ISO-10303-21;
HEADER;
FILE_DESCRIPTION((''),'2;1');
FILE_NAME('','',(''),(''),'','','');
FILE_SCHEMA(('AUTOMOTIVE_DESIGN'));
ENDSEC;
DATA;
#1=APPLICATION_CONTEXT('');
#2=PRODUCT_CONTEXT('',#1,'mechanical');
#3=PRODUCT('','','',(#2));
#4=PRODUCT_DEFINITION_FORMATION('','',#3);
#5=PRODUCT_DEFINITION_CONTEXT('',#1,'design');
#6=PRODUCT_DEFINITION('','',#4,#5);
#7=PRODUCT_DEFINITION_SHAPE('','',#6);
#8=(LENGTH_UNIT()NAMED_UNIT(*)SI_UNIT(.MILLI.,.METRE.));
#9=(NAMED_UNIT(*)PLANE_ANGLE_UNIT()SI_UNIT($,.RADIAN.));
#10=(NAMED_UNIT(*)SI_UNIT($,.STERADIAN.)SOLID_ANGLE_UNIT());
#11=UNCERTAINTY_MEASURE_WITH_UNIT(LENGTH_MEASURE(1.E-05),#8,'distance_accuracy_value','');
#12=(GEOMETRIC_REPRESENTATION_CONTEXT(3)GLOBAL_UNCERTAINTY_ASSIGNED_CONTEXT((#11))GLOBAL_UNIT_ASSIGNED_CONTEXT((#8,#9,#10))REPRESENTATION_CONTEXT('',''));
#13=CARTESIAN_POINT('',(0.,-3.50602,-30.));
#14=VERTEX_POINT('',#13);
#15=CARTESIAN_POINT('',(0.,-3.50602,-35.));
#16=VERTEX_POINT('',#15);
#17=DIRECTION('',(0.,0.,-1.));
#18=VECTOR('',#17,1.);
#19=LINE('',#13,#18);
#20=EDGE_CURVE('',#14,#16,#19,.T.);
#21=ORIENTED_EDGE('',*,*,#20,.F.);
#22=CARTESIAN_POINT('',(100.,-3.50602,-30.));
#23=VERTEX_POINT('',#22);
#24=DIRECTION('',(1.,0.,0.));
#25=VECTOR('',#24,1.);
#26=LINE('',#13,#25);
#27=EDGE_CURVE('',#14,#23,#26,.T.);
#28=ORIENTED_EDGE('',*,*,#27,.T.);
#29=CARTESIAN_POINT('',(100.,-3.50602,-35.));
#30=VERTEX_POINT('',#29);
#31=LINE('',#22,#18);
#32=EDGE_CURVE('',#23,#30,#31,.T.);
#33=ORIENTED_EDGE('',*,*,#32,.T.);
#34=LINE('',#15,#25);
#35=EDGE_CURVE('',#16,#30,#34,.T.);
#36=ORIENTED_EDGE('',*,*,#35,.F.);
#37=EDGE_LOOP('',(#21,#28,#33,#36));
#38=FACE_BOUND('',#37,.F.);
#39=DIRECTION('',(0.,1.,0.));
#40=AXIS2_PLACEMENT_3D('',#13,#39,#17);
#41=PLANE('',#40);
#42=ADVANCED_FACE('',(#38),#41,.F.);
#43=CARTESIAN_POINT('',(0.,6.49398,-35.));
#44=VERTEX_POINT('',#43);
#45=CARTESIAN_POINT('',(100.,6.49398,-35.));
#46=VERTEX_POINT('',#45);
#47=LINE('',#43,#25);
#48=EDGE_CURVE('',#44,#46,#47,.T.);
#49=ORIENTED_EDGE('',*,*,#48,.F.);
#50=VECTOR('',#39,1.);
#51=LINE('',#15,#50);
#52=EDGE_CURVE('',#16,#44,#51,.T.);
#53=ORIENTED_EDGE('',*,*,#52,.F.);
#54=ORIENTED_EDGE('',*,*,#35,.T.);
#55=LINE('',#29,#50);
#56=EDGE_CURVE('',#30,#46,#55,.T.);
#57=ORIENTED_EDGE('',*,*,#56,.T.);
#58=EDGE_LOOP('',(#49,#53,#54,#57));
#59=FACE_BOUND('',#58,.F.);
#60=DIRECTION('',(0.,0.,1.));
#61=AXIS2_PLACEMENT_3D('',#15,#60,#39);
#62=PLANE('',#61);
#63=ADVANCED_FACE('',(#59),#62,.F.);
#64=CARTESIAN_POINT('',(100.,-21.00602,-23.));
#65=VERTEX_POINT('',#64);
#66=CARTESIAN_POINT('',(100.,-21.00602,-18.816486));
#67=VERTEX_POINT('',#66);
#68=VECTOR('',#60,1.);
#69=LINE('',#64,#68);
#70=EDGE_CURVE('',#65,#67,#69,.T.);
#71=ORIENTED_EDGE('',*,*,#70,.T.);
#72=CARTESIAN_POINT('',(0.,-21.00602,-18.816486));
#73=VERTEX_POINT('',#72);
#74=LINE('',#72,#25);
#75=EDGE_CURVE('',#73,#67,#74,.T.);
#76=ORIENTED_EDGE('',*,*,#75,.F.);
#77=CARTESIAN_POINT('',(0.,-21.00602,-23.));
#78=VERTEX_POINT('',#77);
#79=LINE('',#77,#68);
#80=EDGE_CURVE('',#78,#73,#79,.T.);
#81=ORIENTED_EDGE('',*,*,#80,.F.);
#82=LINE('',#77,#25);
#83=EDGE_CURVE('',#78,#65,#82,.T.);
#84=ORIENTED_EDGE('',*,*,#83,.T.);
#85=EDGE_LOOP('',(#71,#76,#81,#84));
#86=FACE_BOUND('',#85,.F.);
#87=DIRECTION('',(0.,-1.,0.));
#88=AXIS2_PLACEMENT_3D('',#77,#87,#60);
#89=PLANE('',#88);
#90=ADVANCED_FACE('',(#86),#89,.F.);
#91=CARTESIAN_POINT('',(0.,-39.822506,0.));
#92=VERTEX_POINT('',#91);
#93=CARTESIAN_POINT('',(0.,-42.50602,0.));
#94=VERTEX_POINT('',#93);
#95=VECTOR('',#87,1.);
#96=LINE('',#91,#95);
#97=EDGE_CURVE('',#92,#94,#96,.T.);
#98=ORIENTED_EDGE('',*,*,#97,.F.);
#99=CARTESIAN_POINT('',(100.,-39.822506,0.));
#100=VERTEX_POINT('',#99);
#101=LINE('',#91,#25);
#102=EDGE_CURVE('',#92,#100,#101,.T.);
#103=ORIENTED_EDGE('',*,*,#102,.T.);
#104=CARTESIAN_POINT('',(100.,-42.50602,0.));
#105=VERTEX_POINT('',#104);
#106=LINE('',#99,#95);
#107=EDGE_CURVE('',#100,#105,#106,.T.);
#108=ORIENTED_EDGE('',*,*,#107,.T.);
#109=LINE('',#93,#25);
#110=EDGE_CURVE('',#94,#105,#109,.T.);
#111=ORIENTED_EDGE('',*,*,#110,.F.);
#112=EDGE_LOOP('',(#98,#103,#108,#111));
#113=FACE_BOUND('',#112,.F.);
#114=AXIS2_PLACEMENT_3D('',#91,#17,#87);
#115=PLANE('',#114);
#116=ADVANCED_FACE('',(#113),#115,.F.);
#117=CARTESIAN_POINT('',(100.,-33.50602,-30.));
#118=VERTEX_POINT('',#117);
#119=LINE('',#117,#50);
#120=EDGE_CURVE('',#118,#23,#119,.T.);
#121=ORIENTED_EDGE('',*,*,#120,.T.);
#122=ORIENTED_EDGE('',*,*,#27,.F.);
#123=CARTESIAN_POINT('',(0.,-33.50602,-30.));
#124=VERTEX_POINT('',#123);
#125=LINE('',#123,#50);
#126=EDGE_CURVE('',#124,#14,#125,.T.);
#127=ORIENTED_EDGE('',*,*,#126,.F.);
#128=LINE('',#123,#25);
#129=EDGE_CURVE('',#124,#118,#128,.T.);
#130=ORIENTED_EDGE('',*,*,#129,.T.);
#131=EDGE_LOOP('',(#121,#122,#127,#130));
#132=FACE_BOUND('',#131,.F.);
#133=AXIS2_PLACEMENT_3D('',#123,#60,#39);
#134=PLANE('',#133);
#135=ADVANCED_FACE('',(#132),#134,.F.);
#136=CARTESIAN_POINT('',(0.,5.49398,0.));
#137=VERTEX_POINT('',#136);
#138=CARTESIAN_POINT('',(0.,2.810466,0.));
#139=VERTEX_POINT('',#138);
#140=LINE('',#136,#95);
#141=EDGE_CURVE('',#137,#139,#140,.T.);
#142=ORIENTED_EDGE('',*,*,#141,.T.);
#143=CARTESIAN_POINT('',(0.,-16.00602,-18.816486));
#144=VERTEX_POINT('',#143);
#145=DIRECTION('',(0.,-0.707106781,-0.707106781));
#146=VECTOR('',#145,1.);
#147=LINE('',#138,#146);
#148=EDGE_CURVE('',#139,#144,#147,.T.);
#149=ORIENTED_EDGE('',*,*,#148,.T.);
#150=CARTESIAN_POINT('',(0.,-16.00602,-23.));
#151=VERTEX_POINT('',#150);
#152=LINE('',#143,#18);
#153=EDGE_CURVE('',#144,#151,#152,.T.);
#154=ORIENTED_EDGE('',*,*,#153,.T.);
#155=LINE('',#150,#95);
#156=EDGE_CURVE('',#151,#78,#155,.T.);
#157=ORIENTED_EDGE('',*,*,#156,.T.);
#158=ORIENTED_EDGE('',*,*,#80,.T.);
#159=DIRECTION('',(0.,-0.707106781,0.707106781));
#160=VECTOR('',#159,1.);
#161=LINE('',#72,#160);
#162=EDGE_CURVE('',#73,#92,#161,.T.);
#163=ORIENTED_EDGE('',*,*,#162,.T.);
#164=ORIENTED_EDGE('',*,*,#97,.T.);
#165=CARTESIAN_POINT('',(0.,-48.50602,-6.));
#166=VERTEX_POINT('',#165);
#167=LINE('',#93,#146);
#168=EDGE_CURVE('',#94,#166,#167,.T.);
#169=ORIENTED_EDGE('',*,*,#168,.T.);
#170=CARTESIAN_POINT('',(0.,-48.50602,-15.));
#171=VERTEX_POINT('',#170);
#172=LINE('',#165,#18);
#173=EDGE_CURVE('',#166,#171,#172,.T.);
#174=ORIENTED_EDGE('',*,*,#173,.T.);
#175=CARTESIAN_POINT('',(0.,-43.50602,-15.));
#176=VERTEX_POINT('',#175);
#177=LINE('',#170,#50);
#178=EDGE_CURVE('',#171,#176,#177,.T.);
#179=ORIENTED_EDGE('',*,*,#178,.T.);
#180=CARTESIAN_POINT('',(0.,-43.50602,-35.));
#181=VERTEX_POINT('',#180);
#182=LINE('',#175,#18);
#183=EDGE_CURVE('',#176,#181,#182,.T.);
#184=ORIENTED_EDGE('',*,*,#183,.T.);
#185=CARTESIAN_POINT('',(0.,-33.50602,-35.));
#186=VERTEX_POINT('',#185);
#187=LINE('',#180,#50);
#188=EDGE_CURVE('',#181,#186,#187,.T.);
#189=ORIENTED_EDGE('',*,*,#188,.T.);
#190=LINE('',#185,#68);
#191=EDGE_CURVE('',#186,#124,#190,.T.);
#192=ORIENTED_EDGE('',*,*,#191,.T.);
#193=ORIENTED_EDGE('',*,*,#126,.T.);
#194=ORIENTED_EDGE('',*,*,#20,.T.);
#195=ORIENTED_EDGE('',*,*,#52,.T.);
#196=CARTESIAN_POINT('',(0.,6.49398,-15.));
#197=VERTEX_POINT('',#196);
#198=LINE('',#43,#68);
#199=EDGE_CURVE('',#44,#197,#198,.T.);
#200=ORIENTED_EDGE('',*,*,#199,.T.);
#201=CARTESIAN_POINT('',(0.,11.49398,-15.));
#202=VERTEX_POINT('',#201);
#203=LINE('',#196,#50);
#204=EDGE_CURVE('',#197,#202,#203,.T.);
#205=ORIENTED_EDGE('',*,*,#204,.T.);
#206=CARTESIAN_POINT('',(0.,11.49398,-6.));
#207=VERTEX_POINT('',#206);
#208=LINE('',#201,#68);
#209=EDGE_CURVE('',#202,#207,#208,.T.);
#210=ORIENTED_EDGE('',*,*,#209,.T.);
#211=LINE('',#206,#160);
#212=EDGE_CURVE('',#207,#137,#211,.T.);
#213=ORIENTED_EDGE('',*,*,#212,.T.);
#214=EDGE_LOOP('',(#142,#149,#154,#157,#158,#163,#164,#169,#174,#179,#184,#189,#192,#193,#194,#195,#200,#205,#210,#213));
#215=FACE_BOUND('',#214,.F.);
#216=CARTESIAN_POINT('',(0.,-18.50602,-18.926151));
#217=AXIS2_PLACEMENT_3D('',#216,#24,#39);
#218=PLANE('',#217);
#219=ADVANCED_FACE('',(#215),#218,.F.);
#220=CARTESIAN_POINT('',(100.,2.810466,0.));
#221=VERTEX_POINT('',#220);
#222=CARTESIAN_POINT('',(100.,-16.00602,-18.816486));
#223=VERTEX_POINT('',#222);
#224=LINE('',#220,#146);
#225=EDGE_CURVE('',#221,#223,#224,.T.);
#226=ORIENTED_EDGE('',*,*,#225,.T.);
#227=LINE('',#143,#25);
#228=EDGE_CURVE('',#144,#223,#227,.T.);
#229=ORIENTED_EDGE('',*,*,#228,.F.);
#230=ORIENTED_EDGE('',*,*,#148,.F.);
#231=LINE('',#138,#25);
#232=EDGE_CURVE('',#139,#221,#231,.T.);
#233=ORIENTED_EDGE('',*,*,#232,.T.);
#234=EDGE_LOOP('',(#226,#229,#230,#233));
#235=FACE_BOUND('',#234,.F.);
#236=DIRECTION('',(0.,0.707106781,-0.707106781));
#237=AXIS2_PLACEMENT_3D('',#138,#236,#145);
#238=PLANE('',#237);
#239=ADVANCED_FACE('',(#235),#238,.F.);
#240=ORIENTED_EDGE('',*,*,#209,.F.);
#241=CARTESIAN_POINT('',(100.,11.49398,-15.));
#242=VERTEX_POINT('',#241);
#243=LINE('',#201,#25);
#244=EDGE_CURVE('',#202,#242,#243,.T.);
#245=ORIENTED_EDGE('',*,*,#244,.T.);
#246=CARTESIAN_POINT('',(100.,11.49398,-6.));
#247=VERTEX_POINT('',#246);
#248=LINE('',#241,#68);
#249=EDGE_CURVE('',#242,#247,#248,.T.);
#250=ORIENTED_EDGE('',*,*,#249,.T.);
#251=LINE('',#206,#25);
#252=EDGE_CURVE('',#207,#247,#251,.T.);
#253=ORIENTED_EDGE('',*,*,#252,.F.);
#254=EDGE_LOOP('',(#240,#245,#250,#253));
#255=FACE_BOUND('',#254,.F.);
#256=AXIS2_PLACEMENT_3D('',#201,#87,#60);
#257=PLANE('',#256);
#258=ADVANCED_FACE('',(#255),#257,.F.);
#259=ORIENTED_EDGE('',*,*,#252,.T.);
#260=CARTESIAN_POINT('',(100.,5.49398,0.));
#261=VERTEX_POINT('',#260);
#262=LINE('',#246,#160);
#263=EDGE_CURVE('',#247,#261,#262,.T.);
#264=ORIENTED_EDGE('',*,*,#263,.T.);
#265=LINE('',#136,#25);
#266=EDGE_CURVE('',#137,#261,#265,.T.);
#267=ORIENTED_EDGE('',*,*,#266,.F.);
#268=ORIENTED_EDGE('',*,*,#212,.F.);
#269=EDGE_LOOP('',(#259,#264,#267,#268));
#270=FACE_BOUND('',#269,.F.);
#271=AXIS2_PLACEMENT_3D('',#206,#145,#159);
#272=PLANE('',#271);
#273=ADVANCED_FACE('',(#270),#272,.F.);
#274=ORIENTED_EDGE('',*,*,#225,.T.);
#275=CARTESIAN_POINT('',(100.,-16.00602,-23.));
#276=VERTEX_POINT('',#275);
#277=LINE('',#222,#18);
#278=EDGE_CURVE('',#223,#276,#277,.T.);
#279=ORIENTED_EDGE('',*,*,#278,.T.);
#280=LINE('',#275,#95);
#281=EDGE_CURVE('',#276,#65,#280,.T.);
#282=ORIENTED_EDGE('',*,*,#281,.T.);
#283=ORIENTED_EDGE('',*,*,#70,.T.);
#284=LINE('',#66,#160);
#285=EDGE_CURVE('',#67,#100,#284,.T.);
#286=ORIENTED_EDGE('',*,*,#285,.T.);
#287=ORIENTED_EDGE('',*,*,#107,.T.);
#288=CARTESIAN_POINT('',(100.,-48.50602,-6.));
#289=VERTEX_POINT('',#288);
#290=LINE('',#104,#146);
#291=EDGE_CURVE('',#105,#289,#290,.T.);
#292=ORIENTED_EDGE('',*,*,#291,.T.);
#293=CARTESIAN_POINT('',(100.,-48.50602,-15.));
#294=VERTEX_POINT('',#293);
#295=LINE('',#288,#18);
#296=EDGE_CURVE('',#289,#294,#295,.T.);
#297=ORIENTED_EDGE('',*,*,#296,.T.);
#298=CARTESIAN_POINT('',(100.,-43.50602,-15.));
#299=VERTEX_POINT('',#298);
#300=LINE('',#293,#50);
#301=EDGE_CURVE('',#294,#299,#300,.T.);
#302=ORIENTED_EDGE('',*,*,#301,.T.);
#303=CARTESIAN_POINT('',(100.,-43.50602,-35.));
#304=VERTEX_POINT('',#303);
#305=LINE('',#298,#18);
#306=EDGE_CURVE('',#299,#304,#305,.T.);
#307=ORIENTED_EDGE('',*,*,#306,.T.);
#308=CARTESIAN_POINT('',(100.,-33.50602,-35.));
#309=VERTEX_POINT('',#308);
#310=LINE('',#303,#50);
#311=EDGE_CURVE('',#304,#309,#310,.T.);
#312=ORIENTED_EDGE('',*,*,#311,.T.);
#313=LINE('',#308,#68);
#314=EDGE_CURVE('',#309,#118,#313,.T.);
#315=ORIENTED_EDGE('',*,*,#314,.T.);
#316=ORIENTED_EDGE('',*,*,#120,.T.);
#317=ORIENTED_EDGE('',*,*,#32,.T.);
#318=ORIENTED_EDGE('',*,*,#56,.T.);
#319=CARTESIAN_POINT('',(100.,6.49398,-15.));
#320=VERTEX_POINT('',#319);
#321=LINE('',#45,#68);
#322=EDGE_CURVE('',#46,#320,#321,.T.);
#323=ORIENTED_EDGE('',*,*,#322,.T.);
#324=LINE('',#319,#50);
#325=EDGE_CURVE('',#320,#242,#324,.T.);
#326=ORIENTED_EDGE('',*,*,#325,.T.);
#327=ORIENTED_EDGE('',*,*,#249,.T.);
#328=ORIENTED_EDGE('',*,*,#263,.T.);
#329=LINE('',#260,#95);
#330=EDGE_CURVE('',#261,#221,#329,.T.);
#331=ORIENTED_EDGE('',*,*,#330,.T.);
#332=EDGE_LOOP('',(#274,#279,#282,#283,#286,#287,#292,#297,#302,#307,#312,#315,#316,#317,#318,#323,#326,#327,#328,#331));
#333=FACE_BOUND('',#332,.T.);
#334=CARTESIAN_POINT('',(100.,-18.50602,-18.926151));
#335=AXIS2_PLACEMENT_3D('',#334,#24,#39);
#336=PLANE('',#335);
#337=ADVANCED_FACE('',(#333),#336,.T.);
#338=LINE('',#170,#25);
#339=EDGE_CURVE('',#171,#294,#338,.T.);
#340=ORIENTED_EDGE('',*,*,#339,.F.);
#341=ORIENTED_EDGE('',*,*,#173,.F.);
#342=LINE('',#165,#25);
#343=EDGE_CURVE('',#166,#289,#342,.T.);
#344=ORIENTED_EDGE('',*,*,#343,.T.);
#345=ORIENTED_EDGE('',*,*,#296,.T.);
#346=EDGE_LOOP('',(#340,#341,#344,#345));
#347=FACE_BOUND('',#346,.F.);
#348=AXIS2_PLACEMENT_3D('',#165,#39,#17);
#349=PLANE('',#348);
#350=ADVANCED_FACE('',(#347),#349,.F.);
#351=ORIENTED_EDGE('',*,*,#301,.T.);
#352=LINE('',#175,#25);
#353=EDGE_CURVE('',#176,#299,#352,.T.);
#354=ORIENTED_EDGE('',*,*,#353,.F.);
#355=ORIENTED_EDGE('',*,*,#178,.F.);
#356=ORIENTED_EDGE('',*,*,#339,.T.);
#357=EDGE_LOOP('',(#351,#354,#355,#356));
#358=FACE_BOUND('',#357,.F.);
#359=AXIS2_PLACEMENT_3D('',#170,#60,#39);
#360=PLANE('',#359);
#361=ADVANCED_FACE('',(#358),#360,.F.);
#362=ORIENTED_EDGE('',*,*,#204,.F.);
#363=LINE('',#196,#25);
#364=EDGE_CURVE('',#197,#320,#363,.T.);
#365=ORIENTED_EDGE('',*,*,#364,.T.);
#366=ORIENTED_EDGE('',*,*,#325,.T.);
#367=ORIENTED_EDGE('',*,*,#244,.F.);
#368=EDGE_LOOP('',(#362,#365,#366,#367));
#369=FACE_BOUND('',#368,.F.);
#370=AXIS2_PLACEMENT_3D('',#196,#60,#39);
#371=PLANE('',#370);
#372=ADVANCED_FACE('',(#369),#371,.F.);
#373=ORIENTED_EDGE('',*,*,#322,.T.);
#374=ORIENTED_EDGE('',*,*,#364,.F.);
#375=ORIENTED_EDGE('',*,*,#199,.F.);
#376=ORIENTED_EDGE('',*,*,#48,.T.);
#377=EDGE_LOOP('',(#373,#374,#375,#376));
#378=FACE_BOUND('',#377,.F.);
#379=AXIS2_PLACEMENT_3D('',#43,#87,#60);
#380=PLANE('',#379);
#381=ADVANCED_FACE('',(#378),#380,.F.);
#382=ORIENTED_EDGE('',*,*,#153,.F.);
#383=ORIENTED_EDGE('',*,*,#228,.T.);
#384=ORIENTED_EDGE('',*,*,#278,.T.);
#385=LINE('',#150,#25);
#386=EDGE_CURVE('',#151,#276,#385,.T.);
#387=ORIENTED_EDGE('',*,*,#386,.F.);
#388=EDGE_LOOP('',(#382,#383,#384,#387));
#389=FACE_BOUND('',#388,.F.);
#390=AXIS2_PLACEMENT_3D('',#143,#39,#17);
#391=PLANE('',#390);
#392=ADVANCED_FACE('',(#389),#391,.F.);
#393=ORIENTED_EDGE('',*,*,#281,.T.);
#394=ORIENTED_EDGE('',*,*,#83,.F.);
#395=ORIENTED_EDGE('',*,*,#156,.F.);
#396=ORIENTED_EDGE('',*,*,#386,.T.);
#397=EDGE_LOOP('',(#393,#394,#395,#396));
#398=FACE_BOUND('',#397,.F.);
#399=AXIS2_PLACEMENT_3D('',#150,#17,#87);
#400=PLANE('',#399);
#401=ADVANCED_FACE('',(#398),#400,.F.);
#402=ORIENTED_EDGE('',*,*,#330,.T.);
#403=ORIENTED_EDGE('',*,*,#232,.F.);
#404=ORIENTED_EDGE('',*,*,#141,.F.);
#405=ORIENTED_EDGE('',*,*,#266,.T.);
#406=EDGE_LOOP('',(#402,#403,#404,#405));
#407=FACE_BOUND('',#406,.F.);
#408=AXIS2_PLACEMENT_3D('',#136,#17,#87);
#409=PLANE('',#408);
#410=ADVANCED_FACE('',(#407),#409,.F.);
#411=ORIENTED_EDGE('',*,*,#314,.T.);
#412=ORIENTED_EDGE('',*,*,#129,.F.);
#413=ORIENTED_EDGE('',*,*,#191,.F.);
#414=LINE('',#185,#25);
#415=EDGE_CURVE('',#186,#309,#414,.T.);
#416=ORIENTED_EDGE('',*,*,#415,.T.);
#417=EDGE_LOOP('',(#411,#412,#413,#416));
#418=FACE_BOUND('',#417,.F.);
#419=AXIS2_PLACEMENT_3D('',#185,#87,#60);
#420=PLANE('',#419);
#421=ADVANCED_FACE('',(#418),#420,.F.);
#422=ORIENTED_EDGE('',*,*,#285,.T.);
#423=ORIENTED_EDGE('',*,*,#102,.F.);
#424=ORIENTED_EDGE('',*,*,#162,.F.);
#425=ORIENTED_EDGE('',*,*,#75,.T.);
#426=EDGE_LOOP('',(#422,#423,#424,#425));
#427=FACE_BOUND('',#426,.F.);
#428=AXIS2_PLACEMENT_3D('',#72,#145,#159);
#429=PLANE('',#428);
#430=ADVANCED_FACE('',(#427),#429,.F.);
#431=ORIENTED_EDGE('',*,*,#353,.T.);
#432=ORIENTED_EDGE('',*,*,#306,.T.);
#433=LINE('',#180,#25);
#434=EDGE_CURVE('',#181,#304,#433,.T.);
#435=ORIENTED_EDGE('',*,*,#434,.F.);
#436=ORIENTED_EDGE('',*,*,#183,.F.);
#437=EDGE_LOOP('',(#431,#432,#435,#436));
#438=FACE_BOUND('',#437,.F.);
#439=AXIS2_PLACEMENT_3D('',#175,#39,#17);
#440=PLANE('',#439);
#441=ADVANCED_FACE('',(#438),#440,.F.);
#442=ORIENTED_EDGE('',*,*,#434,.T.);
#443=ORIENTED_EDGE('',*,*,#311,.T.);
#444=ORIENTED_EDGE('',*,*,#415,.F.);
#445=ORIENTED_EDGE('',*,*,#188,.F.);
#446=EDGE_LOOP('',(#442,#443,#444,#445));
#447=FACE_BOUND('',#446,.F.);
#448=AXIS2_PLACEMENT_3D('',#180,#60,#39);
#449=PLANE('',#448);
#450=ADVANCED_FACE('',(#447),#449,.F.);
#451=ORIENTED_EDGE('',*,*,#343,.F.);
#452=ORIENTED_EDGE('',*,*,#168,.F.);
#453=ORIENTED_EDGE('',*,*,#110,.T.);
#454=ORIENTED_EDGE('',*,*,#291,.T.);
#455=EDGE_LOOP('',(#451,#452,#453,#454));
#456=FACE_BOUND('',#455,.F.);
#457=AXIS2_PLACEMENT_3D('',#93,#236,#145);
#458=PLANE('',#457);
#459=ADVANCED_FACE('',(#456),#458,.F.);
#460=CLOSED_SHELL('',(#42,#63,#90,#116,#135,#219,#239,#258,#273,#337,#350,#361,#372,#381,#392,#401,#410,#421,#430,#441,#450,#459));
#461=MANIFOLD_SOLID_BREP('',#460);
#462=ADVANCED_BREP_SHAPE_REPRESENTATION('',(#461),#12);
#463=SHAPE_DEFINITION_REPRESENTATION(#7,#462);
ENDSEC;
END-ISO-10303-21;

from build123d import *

# Parameters (mm, degrees)
F1_DEPTH = 100


with BuildPart() as f1:
    # F0 (on Right) → F1 (new body)
    with BuildSketch(Plane.YZ):
        Polygon((-33.50602, -30), (-18.50602, -30), (-3.50602, -30), (-3.50602, -35), (6.49398, -35), (6.49398, -15), (11.49398, -15), (11.49398, -6), (5.49398, 0), (2.810466, 0), (-16.00602, -18.816486), (-16.00602, -23), (-18.50602, -23), (-21.00602, -23), (-21.00602, -18.816486), (-39.822506, 0), (-42.50602, 0), (-48.50602, -6), (-48.50602, -15), (-43.50602, -15), (-43.50602, -35), (-33.50602, -35), align=None)
    extrude(amount=F1_DEPTH)


solid = f1.part
